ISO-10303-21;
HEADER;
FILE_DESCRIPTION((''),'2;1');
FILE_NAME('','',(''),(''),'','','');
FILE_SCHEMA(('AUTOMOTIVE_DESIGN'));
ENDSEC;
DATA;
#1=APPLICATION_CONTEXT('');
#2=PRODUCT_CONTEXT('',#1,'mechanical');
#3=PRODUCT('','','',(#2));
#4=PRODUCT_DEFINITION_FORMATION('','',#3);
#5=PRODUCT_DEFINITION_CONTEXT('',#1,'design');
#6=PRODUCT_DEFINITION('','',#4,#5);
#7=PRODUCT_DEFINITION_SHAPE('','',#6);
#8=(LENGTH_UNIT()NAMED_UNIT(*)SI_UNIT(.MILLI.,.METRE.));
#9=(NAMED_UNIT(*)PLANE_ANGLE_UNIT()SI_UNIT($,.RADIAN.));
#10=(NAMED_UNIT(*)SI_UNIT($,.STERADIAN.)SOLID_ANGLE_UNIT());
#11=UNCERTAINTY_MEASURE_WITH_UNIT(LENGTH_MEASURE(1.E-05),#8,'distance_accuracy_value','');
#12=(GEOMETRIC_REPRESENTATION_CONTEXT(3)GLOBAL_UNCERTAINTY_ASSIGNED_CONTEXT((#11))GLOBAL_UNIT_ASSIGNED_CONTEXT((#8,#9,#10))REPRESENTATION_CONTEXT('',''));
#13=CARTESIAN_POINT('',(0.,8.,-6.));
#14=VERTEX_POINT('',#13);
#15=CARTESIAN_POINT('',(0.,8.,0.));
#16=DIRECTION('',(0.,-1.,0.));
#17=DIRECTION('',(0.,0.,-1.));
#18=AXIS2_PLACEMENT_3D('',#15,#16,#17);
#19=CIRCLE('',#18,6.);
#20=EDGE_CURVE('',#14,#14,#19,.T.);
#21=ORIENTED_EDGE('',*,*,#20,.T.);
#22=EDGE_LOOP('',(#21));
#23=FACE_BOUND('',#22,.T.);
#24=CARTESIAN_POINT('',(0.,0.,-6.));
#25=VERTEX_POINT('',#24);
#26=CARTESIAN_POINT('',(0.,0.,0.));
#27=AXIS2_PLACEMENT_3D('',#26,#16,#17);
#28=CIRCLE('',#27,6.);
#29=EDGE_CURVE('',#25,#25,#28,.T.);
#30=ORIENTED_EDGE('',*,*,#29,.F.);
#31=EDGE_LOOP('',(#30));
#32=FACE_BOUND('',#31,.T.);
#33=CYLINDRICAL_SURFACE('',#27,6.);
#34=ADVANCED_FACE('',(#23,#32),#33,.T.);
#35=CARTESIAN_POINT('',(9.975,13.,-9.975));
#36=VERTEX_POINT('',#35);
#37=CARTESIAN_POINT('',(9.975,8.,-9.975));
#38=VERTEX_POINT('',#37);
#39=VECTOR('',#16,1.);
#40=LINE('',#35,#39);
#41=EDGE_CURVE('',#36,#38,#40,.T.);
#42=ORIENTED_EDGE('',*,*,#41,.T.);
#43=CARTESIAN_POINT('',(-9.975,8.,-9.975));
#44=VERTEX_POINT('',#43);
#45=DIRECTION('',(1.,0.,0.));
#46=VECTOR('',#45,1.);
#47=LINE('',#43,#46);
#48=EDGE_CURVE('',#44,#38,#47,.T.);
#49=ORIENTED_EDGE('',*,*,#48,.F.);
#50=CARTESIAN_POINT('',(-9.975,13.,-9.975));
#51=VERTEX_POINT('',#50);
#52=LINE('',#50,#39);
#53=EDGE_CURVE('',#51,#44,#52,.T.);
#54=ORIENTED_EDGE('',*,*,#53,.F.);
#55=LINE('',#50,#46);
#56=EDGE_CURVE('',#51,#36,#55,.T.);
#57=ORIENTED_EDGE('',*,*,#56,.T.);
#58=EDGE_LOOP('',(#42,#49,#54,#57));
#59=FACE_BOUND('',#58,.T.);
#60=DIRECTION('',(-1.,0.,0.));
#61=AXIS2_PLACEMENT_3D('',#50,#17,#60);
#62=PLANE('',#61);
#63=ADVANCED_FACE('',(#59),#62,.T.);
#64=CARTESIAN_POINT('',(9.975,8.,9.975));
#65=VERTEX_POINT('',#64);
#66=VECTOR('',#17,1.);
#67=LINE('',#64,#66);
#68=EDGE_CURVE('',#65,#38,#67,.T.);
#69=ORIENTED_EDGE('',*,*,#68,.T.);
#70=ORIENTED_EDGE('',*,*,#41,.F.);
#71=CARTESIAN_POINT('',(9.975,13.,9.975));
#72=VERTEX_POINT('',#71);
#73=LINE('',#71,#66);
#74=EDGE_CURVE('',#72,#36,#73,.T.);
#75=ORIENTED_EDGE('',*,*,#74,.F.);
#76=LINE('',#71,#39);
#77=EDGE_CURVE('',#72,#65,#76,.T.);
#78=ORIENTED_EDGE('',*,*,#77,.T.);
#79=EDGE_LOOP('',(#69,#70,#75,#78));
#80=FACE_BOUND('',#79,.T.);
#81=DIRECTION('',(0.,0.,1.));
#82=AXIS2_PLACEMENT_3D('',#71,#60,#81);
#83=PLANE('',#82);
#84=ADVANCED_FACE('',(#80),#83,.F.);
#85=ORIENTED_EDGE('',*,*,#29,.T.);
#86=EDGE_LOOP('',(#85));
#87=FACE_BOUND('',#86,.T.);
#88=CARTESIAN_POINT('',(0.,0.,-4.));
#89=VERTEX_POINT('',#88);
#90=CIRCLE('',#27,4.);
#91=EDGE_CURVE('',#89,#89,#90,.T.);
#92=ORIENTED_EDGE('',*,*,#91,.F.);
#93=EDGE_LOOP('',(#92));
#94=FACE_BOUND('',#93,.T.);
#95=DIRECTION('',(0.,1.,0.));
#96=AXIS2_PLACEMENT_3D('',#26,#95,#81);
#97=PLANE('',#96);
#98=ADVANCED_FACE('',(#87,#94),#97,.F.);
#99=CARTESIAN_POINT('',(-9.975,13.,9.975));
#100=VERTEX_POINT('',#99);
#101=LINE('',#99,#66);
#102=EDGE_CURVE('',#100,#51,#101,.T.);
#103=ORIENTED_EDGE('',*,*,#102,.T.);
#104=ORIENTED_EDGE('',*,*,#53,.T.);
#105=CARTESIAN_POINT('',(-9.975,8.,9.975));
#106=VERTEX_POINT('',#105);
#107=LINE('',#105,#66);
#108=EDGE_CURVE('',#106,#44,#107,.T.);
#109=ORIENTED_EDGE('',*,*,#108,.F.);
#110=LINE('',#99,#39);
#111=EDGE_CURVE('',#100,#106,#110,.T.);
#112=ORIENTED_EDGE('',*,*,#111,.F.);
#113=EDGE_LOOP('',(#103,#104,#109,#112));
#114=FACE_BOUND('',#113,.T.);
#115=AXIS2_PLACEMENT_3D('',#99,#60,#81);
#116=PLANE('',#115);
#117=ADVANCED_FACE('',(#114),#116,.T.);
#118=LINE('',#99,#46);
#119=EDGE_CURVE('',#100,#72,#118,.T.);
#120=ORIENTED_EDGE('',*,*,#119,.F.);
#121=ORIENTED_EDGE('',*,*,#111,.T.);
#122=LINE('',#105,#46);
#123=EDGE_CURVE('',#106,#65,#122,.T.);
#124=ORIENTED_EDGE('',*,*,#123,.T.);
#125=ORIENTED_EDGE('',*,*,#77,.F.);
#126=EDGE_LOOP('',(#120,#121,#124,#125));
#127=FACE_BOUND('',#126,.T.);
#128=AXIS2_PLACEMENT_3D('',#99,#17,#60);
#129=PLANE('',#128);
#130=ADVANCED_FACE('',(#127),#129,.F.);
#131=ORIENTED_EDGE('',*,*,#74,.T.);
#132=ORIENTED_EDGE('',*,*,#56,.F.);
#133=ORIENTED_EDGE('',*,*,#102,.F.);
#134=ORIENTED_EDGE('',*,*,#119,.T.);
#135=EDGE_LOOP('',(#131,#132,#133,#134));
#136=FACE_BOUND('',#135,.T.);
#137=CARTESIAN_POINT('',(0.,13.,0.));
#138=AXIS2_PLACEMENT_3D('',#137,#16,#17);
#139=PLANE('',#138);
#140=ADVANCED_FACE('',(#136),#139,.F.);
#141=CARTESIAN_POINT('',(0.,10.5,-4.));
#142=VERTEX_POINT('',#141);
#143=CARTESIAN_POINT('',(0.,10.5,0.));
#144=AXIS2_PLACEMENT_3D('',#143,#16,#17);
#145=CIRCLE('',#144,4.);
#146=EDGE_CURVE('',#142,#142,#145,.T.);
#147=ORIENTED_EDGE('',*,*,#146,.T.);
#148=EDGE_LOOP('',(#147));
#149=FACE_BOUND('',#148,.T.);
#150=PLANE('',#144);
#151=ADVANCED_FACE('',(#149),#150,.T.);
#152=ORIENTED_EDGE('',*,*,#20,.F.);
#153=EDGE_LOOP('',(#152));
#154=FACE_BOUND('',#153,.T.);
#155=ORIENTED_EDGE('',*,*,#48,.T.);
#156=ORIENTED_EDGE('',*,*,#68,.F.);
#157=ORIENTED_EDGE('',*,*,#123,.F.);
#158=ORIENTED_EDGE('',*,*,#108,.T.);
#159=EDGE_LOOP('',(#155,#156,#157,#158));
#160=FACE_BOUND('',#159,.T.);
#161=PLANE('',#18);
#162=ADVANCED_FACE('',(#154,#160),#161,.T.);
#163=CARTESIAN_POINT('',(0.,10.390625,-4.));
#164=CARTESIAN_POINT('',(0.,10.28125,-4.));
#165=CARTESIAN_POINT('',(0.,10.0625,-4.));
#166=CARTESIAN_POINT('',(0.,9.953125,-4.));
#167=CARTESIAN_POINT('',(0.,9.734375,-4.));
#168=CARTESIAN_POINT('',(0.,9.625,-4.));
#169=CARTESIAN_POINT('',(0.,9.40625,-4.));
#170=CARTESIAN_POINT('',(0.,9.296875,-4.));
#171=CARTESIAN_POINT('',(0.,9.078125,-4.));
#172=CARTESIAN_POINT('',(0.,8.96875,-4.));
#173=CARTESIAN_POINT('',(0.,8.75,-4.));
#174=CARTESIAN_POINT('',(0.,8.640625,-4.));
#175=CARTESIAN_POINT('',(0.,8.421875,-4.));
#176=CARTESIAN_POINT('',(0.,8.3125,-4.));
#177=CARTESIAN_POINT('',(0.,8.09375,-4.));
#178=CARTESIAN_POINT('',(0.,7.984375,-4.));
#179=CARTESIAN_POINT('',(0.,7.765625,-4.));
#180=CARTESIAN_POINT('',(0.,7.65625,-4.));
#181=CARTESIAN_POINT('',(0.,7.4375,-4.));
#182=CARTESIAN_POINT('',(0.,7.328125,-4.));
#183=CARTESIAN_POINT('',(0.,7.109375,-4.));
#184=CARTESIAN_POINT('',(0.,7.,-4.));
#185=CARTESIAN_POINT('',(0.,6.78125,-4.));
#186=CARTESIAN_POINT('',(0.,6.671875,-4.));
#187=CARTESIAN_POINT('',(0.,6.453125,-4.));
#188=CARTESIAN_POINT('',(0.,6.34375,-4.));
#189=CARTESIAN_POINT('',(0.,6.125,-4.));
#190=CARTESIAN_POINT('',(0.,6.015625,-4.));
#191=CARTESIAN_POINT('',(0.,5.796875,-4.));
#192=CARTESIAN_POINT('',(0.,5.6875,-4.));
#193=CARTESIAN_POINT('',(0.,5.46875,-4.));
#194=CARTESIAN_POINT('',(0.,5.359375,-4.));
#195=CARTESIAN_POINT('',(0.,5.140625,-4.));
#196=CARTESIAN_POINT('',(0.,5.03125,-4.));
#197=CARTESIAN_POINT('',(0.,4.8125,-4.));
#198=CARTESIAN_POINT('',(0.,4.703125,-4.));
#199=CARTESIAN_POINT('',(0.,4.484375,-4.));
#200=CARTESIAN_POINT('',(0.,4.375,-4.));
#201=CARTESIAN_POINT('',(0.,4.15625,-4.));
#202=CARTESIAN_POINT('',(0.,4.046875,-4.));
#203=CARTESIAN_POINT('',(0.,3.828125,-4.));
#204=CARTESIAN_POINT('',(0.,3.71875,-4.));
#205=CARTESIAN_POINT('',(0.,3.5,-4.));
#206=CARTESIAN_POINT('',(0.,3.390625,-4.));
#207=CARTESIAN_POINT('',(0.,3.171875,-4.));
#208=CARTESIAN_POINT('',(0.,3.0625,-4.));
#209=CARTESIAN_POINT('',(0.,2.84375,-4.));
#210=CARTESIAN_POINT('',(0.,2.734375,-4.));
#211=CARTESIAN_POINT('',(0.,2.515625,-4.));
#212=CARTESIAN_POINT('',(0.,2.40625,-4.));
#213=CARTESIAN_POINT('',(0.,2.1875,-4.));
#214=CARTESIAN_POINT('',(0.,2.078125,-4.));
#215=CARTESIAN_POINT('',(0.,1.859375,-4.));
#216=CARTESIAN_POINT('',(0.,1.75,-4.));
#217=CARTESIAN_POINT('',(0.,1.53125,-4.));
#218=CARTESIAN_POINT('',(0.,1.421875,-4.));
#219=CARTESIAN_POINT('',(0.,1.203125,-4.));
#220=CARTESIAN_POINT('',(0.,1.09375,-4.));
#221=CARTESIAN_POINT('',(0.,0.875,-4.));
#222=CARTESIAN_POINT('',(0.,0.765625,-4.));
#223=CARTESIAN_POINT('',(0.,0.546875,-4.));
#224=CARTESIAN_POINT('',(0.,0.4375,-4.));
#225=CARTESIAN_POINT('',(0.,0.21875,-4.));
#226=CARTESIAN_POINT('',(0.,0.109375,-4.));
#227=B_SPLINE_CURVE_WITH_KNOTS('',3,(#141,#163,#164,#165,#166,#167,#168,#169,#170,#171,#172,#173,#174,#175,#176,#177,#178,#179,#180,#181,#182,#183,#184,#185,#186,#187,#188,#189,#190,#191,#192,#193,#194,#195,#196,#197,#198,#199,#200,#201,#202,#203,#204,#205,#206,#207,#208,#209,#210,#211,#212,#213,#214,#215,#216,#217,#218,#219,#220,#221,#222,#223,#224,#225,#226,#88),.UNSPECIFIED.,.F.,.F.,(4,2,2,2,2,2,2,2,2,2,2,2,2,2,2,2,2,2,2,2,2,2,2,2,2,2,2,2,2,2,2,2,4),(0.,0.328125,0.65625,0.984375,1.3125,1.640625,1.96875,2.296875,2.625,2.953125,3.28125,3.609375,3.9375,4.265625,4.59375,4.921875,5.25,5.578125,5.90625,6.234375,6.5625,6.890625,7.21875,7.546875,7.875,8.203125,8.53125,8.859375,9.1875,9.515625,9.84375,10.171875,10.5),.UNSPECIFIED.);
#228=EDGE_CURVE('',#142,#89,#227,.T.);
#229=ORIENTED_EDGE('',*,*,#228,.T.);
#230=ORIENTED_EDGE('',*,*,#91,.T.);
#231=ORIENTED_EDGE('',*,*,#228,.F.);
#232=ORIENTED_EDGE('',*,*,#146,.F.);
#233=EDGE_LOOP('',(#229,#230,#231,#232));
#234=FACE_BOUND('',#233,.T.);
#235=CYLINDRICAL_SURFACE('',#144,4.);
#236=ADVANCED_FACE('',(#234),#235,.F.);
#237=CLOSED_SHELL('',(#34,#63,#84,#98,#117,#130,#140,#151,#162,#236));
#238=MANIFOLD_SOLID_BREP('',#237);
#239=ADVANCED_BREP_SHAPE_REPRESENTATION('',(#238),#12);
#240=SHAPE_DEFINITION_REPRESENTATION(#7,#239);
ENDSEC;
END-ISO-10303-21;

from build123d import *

# Parameters (mm, degrees)
CROQUIS1_W              = 6
CROQUIS1_H              = 8
CROQUIS2_W              = 19.95
CROQUIS2_H              = 19.95
SALIENTE_EXTRUIR1_DEPTH = 5
SKETCH6_R               = 4
CUT_EXTRUDE1_DEPTH      = 10.5


with BuildPart() as part:
    # Croquis1 → Revolución1 (revolve)
    with BuildSketch(Plane(origin=(0, 0, 0), x_dir=(0, 0, -1), z_dir=(1, 0, 0)), mode=Mode.PRIVATE) as revoluci_n1_sk:
        with Locations((-3, 4)):
            Rectangle(CROQUIS1_W, CROQUIS1_H)
    revolve(revoluci_n1_sk.sketch.rotate(Axis((0, 0, 0), (0, 1, 0)), 180), axis=Axis((0, 0, 0), (0, 1, 0)))

    # Croquis2 → Saliente-Extruir1 (add)
    with BuildSketch(Plane(origin=(0, 8, 0), x_dir=(1, 0, 0), z_dir=(0, 1, 0))):
        Rectangle(CROQUIS2_W, CROQUIS2_H)
    extrude(amount=SALIENTE_EXTRUIR1_DEPTH)

    # Sketch6 → Cut-Extrude1 (cut)
    with BuildSketch(Plane.XZ):
        with Locations(Location((0, 0, 0), (0, 0, 270))):
            Circle(SKETCH6_R)
    extrude(amount=-CUT_EXTRUDE1_DEPTH, mode=Mode.SUBTRACT)


solid = part.part
